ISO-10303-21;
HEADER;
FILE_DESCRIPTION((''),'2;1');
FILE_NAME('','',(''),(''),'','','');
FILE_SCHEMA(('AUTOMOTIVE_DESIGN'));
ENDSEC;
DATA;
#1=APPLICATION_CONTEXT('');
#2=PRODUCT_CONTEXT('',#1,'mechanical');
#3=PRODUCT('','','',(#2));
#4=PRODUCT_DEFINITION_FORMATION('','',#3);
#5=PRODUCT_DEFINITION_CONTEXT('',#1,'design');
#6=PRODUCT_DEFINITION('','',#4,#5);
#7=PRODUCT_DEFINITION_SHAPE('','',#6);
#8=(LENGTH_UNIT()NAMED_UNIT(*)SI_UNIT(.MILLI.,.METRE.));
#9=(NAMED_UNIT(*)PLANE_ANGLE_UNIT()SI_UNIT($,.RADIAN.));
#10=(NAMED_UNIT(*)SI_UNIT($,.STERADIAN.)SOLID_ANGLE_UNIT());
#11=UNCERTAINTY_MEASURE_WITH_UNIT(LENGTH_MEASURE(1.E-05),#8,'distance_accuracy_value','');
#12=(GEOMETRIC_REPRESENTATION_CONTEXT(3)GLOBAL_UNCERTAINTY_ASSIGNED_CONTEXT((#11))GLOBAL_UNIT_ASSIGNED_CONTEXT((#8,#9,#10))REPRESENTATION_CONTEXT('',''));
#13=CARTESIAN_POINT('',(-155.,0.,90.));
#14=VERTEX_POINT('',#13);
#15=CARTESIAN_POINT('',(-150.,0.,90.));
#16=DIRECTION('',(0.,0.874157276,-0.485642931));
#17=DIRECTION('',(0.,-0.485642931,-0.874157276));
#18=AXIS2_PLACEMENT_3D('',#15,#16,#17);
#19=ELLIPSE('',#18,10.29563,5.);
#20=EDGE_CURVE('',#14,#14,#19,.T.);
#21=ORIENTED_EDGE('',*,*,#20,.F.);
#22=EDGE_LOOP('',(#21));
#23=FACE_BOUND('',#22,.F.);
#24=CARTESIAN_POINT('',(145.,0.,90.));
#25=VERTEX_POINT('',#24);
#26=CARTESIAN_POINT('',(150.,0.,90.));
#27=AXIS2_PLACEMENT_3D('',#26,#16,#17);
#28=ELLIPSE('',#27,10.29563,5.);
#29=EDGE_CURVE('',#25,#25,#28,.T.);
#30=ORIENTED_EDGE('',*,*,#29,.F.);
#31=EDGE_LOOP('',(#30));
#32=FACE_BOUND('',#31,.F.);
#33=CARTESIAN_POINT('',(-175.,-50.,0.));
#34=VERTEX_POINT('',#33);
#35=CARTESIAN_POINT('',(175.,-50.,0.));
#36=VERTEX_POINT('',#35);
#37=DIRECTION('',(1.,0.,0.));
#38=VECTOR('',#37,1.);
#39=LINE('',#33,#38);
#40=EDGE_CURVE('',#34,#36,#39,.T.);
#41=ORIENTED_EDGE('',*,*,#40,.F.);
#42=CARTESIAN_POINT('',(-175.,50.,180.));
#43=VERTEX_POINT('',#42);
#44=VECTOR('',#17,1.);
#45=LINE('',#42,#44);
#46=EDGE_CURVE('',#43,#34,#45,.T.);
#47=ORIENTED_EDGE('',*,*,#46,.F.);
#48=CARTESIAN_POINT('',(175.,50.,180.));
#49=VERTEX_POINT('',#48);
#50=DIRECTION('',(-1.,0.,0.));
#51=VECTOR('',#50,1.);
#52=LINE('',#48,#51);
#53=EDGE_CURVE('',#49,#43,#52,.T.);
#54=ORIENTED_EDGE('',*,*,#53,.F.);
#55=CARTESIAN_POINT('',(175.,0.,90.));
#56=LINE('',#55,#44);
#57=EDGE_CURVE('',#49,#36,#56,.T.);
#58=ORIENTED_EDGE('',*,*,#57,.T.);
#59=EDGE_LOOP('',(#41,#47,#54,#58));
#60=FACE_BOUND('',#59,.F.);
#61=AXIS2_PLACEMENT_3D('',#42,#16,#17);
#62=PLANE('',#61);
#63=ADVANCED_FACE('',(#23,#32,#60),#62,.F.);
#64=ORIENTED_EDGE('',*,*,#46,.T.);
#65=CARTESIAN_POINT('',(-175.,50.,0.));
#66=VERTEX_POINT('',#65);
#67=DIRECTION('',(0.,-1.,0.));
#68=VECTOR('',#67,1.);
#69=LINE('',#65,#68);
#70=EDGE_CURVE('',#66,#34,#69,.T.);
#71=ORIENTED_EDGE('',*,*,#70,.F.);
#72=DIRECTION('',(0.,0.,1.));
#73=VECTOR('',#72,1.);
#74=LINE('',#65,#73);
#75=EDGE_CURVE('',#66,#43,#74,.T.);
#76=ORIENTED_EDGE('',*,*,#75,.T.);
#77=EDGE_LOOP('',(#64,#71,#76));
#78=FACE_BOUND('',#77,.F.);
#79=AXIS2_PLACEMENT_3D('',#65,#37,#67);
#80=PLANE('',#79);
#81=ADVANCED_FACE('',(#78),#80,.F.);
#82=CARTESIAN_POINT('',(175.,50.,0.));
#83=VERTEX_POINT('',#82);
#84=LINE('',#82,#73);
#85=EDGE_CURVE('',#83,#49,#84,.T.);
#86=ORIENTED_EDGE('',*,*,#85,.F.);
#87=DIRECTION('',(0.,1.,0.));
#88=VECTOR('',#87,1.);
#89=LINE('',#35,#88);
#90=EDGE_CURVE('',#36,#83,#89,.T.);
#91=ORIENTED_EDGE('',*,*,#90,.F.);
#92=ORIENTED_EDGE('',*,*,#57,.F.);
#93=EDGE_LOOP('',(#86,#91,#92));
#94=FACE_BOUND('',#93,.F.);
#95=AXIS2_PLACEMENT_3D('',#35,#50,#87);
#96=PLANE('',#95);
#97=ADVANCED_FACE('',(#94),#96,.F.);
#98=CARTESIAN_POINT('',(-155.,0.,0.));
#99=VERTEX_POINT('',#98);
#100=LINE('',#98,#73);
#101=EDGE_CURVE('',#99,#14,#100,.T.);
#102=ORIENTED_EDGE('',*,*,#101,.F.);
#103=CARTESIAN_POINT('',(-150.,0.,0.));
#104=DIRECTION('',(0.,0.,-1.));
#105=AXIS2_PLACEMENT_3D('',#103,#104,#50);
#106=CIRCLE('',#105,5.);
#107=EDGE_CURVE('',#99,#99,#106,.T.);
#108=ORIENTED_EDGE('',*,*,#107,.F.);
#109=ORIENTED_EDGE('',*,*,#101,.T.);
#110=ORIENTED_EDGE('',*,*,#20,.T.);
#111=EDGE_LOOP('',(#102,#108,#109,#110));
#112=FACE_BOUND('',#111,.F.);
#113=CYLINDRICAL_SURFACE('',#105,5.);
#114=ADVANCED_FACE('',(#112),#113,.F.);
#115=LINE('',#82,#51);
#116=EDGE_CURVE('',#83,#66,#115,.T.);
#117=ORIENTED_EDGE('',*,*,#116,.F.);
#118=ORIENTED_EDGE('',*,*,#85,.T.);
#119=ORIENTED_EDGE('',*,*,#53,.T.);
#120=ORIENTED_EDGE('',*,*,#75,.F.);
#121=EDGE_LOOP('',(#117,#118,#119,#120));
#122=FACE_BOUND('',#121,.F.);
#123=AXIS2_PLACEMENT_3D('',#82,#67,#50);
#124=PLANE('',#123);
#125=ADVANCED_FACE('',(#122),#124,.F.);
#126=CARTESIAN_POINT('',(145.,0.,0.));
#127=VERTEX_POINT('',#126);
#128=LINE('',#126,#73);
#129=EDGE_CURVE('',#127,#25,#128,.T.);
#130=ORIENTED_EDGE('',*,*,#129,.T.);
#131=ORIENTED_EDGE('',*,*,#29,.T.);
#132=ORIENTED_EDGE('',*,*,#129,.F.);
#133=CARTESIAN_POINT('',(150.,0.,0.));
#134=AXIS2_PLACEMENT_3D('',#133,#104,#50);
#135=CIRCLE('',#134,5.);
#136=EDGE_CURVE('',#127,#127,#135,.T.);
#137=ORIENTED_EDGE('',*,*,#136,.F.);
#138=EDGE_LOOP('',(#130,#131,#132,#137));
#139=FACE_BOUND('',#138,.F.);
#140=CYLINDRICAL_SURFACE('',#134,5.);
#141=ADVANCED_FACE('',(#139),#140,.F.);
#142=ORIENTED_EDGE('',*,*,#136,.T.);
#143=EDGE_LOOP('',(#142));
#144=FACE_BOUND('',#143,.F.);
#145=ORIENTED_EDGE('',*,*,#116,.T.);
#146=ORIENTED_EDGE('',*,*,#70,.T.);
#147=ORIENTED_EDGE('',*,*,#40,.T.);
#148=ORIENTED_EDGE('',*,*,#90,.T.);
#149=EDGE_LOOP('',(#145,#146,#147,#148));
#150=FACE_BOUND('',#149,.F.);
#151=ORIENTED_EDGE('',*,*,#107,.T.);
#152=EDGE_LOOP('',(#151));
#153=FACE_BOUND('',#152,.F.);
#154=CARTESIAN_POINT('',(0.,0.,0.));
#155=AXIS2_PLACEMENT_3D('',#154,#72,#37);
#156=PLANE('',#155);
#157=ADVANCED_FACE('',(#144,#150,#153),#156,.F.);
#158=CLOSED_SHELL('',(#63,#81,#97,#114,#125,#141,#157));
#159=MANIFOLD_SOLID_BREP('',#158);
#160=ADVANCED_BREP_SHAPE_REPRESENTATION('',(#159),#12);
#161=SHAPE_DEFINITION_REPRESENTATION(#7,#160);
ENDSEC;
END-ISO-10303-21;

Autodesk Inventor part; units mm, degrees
ref_plane "YZ Plane" through (0, 0, 0) normal (1, 0, 0) x (0, 1, 0)
ref_plane "XZ Plane" through (0, 0, 0) normal (0, 1, 0) x (-1, 0, 0)
ref_plane "XY Plane" through (0, 0, 0) normal (0, 0, 1) x (1, 0, 0)
sketch "Sketch1" plane through (0, 0, 0) normal (0, 0, 1) x (1, 0, 0)
  line L0 (-175, -50) -> (175, -50)
  line L1 (175, -50) -> (175, 50)
  line L2 (175, 50) -> (-175, 50)
  line L3 (-175, 50) -> (-175, -50)
  line L4 (-175, -50) -> (175, 50) construction
  line L5 (175, -50) -> (-175, 50) construction
  point P0 (0, 0)
  dimension "d0" = 350
  dimension "d1" = 100
extrude "Extrusion1" add sketch "Sketch1" along normal blind 180
sketch "Sketch2" plane through (-175, -50, 0) normal (-1, 0, 0) x (0, 0, 1)
  line L0 (180, 0) -> (180, 100) projected
  line L1 (180, 100) -> (0, 0)
  line L2 (0, 0) -> (196.9773, -61.362)
  line L3 (196.9773, -61.362) -> (180, 100)
  point P0 (0, 50)
extrude "Extrusion2" cut sketch "Sketch2" against normal through all
sketch "Sketch3" plane through (0, 0, 0) normal (0, 0, -1) x (-1, 0, 0)
  circle A0 centre (150, 0) radius 5
  line L0 (-175, 50) -> (175, 50) projected
  line L1 (175, -50) -> (-175, -50) projected
  circle A1 centre (-150, 0) radius 5
  point P0 (0, 0)
  dimension "d8" = 10
extrude "Extrusion3" cut sketch "Sketch3" against normal through all
properties part number "Banco"
